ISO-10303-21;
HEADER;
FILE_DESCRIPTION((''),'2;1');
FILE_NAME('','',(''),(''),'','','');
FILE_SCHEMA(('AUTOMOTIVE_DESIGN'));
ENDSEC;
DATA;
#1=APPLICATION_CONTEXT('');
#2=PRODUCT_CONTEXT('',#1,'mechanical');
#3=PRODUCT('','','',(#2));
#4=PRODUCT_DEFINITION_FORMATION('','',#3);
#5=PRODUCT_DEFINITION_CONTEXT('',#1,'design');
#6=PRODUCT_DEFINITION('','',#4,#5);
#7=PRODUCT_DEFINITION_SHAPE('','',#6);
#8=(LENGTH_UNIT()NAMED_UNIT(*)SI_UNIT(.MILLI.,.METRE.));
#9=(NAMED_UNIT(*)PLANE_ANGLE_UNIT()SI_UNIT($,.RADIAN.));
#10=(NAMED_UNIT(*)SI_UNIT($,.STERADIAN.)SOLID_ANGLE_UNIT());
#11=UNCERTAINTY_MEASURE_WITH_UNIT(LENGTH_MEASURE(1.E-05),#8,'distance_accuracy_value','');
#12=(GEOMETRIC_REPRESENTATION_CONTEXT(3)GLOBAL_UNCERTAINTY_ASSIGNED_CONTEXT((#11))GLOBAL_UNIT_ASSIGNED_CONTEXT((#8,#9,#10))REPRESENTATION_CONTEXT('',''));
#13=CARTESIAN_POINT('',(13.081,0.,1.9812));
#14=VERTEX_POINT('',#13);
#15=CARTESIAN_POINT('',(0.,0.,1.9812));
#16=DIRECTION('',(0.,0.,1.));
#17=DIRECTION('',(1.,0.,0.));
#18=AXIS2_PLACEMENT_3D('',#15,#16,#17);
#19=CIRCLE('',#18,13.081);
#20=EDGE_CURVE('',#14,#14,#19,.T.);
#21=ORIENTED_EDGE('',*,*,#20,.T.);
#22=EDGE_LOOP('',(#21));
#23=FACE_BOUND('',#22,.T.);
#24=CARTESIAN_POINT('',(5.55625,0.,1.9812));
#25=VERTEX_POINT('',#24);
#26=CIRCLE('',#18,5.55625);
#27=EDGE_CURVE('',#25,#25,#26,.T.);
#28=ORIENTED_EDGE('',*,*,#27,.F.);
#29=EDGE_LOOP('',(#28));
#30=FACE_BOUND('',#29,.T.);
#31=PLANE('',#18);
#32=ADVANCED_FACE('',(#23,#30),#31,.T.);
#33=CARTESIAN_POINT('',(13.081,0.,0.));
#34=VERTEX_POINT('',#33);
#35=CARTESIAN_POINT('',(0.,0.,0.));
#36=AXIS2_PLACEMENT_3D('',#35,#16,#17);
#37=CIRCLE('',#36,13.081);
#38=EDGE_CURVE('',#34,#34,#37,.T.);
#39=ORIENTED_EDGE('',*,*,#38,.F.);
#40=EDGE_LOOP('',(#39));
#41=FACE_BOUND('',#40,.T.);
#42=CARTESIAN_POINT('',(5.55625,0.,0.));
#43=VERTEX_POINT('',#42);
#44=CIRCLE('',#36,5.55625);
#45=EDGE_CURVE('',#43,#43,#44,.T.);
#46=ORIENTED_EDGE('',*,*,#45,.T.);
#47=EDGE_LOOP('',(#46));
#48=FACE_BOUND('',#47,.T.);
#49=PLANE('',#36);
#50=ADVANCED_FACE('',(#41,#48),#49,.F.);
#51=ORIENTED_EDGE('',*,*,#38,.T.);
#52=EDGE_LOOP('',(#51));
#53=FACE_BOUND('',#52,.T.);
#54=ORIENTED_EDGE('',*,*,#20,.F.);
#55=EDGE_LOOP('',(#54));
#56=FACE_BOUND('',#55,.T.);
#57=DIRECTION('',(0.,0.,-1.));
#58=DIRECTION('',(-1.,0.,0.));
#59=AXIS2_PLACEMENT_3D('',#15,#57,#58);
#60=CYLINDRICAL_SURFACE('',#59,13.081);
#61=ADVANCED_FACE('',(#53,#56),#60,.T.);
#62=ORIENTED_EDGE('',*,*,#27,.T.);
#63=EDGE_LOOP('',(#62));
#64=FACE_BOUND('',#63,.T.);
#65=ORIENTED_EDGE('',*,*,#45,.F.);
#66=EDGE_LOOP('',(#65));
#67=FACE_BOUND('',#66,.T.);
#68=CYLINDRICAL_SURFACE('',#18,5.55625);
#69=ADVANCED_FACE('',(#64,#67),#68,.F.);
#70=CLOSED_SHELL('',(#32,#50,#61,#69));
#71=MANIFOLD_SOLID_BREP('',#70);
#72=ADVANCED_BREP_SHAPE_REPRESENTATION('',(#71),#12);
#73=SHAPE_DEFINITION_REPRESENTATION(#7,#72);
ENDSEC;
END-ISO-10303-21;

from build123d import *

# Parameters (mm, degrees)
SKETCH1_R                      = 13.081
BASE_DEPTH                     = 1.9812
F_7_16_0_4375_DIAMETER_HOLE1_D = 11.1125


with BuildPart() as part:
    # Sketch1 → BASE (new body)
    with BuildSketch(Plane.XY):
        Circle(SKETCH1_R)
    extrude(amount=BASE_DEPTH)

    # 7/16 (0.4375) Diameter Hole1 (through all)
    with Locations(Plane.XY.offset(1.9812)):
        with Locations((0, 0)):
            Hole(F_7_16_0_4375_DIAMETER_HOLE1_D / 2)


solid = part.part
